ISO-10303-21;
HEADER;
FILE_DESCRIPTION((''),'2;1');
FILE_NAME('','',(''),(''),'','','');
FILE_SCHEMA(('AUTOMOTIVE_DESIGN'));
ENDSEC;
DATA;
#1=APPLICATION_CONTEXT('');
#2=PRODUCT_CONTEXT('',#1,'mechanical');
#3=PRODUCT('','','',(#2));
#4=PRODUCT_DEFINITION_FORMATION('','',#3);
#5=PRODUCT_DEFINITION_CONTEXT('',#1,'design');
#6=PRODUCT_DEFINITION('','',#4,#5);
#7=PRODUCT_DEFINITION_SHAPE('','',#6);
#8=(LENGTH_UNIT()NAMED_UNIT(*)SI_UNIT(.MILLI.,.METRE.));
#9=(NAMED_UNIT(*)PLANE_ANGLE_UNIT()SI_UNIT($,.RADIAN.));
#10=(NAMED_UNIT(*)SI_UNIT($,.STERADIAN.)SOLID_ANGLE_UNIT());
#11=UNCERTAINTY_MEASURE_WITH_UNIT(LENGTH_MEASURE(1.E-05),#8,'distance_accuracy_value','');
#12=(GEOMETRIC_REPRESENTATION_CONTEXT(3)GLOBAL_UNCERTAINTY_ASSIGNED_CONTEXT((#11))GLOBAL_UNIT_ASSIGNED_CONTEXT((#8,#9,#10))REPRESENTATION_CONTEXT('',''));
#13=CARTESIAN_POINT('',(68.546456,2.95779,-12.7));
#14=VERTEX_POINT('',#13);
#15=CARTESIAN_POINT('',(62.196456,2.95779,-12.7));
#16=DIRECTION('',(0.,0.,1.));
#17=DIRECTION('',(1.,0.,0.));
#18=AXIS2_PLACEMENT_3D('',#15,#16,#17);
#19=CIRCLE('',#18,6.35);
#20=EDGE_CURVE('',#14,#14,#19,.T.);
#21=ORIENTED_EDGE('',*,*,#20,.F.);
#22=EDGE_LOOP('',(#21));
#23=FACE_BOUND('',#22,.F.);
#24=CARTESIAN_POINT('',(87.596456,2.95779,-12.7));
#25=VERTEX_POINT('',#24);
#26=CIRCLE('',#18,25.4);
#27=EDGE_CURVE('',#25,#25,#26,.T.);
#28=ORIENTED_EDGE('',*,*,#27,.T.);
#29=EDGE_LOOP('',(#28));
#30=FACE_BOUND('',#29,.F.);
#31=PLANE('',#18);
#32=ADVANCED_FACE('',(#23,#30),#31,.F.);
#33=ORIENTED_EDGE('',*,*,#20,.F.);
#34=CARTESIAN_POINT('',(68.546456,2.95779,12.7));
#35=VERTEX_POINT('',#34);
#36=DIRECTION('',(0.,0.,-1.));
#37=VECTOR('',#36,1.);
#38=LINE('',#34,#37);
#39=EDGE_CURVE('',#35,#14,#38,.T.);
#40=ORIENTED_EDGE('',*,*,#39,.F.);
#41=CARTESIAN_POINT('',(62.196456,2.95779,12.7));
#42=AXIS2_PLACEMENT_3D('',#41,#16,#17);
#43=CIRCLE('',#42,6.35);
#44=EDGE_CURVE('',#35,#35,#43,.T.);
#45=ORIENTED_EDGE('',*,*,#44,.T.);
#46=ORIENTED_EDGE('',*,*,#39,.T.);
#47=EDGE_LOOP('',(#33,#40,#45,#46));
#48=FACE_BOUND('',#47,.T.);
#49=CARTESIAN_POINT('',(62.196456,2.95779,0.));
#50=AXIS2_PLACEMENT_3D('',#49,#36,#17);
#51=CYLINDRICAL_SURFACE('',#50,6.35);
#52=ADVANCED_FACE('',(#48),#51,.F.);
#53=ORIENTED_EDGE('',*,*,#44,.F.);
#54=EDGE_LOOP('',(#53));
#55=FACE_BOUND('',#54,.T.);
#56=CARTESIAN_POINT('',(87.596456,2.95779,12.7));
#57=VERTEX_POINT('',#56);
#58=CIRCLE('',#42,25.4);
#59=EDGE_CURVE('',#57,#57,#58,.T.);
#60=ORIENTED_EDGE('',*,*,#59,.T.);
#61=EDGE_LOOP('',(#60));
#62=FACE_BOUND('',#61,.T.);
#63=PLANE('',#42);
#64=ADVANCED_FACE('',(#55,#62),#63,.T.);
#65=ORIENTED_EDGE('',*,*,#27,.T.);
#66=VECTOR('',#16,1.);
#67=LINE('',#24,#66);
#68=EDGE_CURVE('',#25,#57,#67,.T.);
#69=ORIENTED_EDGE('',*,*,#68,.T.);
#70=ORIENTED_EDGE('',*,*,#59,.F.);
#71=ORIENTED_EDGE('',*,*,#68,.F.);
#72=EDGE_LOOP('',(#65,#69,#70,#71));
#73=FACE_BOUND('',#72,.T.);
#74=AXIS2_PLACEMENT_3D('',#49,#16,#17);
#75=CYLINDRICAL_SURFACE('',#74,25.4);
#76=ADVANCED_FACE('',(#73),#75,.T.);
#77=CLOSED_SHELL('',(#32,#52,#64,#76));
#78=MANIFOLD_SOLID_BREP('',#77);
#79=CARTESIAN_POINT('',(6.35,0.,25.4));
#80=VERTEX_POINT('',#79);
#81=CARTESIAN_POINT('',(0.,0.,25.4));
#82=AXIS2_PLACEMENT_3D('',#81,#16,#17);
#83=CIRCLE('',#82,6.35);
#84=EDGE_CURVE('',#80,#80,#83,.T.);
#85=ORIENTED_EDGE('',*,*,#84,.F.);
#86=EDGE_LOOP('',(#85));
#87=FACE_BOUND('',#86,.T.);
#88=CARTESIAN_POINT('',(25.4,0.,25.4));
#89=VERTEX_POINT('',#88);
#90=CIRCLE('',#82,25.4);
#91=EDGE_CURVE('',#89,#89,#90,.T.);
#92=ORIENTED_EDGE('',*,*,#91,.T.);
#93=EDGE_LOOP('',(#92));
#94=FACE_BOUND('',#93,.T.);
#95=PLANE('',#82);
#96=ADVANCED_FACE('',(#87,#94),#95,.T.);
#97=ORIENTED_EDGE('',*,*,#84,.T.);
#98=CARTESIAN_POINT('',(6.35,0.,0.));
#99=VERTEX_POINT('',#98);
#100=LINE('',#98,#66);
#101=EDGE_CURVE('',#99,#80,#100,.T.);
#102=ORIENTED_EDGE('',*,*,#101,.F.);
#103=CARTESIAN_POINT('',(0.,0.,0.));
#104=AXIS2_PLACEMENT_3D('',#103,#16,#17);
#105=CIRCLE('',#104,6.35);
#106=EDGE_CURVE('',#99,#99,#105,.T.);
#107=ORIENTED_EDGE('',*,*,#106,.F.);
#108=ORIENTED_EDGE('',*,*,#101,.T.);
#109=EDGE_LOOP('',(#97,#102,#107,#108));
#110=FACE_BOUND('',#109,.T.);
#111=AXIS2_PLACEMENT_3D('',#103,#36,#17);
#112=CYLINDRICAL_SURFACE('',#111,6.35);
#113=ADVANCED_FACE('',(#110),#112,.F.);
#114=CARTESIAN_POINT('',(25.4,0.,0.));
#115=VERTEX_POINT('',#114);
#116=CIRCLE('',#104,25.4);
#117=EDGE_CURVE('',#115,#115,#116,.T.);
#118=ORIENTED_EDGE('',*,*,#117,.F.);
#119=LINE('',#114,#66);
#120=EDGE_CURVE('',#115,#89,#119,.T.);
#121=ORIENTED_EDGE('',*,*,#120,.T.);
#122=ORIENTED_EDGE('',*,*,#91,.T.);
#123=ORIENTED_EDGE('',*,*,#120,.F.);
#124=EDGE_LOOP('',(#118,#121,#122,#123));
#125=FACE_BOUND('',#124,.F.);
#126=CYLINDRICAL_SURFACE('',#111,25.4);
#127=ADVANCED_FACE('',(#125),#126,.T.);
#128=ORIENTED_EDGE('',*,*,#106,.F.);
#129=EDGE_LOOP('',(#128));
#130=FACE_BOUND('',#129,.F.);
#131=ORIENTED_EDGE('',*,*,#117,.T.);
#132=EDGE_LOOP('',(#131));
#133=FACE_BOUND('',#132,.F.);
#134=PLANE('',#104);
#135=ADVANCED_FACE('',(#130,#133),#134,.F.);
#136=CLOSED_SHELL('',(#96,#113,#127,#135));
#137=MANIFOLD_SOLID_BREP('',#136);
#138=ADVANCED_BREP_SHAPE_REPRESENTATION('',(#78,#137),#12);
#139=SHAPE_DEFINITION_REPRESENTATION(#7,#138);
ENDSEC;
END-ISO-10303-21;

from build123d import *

# Parameters (mm, degrees)
F0_R     = 25.4
F0_R_2   = 6.35
F1_DEPTH = 25.4
F2_R     = 25.4
F2_R_2   = 6.35
F3_DEPTH = 12.7


with BuildPart() as f1:
    # F0 (on Top) → F1 (new body)
    with BuildSketch(Plane.XY):
        Circle(F0_R)
        Circle(F0_R_2, mode=Mode.SUBTRACT)
    extrude(amount=F1_DEPTH)


with BuildPart() as f3:
    # F2 (on Top) → F3 (new body, symmetric)
    with BuildSketch(Plane.XY):
        with Locations((62.196456, 2.95779)):
            Circle(F2_R)
        with Locations((62.196456, 2.95779)):
            Circle(F2_R_2, mode=Mode.SUBTRACT)
    extrude(amount=F3_DEPTH, both=True)


solid = Compound([f1.part, f3.part])
